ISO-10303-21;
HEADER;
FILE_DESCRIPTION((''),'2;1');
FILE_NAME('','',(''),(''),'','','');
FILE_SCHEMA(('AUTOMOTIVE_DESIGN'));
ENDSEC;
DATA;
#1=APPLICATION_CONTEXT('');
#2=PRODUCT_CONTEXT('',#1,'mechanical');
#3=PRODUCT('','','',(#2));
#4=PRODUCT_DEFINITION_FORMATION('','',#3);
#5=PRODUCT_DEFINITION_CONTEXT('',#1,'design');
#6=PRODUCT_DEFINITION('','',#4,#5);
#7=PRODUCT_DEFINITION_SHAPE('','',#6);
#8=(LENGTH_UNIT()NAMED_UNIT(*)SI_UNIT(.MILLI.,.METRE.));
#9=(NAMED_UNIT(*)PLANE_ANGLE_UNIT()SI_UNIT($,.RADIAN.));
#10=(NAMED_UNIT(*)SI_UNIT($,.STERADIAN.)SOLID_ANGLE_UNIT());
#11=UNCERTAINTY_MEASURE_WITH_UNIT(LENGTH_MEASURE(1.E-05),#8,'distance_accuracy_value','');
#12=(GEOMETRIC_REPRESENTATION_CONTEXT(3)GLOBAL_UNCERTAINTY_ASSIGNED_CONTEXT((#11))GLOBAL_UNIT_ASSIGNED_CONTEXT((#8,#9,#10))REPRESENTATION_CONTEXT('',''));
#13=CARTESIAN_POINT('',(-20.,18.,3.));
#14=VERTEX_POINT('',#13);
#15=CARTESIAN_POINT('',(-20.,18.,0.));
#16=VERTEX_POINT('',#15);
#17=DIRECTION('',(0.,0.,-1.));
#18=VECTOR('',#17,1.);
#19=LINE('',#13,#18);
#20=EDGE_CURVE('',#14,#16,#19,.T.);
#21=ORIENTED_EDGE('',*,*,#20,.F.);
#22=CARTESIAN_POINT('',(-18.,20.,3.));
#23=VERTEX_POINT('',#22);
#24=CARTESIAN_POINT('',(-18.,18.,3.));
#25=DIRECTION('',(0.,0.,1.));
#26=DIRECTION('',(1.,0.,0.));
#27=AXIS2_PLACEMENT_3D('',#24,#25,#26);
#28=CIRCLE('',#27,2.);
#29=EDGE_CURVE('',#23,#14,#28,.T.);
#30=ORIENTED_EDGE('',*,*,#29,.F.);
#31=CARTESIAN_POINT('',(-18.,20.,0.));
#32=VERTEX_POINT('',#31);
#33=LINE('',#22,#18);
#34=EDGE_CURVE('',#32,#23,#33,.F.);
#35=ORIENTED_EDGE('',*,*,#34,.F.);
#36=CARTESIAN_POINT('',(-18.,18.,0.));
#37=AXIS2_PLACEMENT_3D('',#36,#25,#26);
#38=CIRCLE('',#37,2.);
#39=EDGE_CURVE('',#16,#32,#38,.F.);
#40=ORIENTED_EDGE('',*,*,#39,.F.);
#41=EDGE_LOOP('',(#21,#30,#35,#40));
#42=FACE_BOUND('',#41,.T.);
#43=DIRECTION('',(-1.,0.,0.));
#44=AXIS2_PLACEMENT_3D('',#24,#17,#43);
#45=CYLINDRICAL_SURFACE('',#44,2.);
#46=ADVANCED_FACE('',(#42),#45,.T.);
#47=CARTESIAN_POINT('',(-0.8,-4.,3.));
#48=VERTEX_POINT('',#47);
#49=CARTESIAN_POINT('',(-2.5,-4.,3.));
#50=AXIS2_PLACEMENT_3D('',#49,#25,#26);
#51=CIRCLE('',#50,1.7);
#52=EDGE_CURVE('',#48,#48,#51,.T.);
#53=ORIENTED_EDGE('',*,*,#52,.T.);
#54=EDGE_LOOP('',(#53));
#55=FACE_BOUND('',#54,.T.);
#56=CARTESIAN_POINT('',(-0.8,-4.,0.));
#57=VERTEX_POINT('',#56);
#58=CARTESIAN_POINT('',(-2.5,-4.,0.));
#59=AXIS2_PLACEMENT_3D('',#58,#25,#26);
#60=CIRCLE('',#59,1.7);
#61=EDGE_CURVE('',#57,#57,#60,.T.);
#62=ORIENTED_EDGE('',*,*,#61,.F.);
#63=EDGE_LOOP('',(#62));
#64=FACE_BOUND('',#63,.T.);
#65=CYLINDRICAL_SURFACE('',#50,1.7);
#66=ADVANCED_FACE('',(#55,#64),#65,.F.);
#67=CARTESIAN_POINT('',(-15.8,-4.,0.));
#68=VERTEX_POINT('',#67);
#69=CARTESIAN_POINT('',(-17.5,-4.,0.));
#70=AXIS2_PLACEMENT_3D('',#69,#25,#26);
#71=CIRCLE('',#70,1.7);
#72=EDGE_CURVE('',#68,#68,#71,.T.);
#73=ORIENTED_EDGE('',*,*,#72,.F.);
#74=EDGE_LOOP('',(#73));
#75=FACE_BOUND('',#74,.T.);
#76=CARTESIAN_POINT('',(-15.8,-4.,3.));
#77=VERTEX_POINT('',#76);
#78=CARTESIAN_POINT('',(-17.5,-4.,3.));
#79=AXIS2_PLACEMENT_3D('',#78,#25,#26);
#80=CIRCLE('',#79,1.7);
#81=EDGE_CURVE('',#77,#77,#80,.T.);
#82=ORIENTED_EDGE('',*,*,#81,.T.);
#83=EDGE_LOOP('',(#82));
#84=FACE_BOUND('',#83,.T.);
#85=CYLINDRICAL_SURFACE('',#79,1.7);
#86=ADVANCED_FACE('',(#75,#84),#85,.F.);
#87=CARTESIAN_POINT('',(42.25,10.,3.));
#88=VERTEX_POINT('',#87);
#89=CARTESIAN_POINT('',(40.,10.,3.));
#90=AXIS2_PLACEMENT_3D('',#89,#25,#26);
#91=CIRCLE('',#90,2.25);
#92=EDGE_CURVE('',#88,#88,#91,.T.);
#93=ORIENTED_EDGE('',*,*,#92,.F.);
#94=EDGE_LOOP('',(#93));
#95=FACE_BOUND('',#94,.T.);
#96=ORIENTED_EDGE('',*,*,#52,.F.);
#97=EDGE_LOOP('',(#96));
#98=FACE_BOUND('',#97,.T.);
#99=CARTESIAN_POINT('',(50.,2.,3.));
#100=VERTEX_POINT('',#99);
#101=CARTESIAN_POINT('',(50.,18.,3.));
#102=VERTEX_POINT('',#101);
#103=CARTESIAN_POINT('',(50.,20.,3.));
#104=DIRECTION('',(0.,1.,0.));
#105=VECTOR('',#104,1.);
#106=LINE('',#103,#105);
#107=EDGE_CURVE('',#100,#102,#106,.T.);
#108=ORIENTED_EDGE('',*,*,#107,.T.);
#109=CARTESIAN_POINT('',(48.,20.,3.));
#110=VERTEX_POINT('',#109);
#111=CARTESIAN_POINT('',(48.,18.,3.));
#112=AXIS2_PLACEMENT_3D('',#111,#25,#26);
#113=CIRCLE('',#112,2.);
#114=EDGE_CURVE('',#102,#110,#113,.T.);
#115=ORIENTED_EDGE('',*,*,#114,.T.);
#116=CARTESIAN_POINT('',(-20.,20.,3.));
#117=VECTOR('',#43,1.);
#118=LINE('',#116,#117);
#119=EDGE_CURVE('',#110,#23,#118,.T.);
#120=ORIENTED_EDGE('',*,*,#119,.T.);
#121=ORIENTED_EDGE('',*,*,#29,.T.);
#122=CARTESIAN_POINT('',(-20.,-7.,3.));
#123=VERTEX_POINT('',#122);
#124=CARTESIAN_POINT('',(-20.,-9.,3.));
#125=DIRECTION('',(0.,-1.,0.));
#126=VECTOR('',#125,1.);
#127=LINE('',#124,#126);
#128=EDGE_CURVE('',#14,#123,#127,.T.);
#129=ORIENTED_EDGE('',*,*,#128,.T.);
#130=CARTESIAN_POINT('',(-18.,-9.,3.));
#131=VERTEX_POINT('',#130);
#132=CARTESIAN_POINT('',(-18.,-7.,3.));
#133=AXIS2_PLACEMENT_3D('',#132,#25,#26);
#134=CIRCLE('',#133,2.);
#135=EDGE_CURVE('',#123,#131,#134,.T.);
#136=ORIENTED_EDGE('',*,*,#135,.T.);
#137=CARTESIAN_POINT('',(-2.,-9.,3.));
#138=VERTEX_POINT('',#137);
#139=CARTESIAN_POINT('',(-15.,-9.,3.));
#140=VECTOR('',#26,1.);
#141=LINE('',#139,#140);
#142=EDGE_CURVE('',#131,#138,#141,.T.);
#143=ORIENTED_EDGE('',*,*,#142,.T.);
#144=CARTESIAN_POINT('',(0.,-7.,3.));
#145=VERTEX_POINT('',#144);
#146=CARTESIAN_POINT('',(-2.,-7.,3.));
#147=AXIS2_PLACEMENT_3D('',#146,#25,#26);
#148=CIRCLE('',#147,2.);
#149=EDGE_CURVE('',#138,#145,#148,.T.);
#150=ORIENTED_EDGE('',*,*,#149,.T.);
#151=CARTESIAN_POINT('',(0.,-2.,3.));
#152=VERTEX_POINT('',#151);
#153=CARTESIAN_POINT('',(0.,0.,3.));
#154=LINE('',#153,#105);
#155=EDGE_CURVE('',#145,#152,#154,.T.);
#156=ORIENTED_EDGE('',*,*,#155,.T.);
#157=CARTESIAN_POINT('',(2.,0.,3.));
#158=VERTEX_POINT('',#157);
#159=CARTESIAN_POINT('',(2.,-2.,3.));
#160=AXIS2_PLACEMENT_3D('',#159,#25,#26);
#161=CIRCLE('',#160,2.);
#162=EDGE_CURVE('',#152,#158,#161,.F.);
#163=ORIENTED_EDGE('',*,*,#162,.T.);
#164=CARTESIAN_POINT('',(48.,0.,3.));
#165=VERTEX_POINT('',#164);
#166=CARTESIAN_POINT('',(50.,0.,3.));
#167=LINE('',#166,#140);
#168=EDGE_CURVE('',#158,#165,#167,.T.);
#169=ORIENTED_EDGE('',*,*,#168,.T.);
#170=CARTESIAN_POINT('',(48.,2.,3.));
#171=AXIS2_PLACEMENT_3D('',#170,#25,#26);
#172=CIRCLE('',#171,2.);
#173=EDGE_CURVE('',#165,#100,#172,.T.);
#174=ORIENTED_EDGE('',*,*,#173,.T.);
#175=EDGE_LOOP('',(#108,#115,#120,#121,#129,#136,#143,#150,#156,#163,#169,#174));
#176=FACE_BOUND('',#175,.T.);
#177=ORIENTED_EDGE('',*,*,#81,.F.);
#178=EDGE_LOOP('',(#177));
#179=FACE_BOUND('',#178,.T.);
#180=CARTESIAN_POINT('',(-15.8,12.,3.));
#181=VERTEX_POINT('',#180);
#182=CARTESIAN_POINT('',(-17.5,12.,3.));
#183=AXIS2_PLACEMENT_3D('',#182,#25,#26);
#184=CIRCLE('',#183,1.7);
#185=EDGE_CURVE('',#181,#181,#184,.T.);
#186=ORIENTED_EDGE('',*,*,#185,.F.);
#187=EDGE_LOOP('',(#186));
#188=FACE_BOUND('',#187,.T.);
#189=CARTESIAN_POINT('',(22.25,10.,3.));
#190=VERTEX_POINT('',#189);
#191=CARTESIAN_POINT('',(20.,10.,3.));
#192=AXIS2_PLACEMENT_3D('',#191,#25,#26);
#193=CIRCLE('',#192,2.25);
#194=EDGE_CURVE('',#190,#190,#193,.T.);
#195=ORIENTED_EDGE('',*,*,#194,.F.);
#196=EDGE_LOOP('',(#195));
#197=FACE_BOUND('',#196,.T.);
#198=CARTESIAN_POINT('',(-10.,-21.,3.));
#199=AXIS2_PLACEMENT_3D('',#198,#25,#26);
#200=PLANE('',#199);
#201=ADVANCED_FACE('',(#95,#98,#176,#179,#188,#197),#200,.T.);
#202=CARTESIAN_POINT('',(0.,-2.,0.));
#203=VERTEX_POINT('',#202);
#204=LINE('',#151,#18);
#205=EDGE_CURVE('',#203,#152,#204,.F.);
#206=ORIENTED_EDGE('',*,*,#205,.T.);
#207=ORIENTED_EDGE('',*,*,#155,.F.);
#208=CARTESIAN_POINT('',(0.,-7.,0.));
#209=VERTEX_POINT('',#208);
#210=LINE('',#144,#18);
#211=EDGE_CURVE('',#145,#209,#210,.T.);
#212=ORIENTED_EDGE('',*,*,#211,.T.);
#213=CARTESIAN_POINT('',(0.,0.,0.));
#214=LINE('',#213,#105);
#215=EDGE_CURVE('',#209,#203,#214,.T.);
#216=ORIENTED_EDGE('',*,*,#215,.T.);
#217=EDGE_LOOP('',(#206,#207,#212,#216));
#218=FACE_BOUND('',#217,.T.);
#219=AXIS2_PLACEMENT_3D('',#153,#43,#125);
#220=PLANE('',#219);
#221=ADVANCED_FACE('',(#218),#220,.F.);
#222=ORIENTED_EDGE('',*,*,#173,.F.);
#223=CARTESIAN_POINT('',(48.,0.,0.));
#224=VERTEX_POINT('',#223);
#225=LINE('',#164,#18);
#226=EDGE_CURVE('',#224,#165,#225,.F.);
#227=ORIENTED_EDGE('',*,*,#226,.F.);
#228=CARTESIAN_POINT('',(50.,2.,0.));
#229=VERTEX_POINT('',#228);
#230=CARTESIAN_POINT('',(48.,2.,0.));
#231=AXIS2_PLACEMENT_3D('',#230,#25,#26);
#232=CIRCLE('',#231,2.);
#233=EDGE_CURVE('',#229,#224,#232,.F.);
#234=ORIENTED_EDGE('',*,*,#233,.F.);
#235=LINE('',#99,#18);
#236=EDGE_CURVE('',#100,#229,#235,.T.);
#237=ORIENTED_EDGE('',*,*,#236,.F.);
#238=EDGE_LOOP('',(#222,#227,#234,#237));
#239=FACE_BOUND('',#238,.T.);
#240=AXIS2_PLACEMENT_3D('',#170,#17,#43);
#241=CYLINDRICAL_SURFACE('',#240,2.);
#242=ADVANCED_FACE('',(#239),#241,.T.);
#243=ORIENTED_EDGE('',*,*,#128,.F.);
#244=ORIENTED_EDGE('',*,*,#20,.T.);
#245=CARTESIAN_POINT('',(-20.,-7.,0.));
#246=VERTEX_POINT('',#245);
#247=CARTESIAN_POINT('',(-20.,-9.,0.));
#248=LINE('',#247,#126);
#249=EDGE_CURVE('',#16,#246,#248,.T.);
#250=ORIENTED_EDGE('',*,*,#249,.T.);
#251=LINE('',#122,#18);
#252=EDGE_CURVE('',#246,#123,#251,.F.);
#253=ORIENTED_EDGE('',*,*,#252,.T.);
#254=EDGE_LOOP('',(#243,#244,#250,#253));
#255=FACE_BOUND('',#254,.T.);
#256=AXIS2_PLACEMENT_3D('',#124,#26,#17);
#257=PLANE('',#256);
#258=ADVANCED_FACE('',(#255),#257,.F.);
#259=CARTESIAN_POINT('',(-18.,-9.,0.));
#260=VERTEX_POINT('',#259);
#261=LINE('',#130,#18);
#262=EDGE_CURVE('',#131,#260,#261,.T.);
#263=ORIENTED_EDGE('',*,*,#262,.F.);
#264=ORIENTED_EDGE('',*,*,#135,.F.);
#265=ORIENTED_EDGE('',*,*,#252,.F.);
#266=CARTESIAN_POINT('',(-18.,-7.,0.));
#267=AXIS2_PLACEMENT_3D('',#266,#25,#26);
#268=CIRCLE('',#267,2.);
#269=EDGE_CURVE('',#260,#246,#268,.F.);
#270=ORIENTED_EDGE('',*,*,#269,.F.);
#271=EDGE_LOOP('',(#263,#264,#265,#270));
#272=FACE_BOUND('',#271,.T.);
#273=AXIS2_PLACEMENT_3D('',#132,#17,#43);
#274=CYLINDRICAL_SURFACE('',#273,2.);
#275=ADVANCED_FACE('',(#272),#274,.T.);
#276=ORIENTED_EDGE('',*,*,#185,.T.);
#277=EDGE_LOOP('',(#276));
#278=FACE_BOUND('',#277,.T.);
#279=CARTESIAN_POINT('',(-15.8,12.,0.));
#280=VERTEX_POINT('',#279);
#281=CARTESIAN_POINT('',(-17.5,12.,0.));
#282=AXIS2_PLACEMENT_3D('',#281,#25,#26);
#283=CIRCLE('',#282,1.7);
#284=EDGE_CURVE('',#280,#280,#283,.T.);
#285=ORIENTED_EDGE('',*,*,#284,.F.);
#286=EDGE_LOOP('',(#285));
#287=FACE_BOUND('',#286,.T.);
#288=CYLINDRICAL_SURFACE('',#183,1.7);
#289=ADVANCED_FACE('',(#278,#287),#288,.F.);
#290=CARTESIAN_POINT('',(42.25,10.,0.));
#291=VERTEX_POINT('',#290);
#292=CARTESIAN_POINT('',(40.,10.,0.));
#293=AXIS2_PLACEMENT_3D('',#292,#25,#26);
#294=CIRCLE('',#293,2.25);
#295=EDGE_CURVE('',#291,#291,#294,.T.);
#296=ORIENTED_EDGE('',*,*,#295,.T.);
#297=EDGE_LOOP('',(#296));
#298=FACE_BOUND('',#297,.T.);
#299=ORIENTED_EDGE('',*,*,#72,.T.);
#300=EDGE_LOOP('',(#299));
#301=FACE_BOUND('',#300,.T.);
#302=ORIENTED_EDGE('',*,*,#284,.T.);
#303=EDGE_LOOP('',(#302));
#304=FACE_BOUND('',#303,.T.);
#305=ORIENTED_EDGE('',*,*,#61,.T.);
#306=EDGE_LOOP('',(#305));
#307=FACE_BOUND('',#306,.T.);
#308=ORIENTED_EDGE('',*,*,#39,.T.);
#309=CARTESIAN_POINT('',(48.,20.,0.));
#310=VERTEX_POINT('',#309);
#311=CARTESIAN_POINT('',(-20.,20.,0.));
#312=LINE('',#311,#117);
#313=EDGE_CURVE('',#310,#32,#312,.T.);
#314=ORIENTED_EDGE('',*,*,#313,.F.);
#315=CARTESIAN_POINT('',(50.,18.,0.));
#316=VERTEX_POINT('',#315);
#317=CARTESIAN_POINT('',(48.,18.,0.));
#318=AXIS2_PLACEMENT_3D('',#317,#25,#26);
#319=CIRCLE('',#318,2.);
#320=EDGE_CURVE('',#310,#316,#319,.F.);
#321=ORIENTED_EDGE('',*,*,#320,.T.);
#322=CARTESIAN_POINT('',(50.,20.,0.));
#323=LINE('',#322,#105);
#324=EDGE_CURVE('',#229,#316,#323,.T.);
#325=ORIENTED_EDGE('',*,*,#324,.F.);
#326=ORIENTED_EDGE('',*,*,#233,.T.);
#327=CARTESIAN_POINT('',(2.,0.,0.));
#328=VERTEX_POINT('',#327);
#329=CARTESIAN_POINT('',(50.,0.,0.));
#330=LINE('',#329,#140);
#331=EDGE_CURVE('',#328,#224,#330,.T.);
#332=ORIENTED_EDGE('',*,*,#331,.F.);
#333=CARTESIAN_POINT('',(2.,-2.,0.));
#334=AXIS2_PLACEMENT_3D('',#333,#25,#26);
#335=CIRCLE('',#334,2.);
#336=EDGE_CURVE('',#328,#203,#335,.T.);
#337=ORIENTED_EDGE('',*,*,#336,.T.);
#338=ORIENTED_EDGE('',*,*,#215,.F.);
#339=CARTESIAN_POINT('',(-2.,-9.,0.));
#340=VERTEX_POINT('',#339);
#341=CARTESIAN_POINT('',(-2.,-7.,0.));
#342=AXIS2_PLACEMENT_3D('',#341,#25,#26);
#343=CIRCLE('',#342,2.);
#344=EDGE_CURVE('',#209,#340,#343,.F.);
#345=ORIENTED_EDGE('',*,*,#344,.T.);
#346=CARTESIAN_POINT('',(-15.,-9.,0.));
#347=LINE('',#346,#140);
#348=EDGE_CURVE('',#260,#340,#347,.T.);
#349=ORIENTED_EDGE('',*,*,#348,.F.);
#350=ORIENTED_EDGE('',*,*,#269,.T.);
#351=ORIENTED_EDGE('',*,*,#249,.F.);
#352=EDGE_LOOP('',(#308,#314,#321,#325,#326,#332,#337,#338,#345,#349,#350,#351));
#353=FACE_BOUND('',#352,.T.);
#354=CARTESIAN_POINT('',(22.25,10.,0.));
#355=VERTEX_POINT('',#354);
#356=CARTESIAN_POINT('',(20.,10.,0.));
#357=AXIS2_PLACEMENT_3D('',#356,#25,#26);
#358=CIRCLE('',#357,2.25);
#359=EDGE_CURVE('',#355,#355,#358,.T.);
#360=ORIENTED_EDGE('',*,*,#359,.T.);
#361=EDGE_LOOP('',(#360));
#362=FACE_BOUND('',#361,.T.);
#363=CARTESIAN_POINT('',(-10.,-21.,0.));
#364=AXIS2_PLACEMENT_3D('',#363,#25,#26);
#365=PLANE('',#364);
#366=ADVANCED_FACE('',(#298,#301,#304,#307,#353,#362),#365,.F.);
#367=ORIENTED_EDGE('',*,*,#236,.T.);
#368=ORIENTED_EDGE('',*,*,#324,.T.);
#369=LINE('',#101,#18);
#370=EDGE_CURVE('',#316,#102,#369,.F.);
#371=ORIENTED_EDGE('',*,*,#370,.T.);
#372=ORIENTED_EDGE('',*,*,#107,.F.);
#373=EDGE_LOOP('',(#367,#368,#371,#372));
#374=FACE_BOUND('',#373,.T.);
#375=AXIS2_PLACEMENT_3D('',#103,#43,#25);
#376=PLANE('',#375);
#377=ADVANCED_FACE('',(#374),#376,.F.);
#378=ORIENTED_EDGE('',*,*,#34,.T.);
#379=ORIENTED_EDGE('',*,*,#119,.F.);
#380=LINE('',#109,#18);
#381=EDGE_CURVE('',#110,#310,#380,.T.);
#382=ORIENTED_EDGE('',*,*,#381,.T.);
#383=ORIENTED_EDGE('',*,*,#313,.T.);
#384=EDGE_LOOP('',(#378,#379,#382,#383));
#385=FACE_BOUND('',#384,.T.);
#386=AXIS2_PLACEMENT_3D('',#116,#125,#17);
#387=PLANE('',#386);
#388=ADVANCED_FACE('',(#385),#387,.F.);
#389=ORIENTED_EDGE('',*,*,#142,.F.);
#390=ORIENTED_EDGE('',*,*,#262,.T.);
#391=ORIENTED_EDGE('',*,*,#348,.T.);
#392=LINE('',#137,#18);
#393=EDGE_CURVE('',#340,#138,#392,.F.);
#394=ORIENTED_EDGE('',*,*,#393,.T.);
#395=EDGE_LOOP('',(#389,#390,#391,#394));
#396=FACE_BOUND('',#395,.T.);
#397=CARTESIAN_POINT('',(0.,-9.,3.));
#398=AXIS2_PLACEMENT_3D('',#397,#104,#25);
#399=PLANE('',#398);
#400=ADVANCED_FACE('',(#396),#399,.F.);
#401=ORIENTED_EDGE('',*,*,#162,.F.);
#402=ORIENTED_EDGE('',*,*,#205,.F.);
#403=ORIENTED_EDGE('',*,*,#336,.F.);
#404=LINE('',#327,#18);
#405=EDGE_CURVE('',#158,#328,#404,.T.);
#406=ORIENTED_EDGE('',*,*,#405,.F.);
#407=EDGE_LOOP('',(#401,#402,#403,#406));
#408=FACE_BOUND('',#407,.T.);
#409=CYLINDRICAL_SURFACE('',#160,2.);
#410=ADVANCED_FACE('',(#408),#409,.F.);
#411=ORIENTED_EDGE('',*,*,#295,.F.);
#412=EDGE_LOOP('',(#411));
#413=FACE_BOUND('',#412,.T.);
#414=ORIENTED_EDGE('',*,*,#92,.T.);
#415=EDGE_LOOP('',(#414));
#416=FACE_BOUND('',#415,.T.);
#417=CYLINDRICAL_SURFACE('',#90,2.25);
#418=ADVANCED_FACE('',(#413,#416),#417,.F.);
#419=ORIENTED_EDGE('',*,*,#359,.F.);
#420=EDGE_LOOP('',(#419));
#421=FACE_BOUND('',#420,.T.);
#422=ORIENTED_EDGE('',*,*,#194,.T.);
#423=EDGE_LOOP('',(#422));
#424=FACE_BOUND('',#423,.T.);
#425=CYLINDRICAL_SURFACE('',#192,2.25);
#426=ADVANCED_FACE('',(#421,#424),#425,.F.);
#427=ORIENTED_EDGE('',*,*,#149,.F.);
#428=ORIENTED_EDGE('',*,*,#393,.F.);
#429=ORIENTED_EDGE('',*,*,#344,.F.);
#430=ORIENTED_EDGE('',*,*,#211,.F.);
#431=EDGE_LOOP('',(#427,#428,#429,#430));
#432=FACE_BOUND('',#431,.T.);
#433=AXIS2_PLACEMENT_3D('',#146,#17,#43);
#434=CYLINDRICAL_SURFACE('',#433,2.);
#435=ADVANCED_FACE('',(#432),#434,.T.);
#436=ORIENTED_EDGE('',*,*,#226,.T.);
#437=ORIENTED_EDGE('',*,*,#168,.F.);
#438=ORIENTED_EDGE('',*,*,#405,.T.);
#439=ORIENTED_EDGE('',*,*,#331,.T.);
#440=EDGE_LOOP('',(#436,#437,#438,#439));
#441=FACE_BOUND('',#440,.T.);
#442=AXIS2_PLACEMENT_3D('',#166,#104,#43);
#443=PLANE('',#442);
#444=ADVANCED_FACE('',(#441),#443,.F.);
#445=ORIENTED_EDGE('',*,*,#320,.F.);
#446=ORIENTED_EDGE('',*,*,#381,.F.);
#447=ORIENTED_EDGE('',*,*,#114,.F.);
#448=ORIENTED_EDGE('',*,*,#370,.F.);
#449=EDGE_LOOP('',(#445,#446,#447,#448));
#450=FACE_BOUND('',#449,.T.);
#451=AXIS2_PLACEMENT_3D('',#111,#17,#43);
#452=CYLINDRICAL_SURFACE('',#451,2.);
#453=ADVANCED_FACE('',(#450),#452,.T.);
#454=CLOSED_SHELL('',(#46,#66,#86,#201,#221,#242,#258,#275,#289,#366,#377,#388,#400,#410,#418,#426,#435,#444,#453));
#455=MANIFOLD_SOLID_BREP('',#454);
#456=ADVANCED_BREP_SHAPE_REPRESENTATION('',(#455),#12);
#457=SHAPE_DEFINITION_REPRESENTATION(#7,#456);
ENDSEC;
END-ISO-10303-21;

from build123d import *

# Parameters (mm, degrees)
AUFSATZ_LINEAR_AUSTRAGEN1_DEPTH = 3
SKIZZE2_R                       = 1.7
SCHNITT_LINEAR_AUSTRAGEN1_DEPTH = 57.435804238
DURCHGANGSLOCH_F_R_M41_D        = 4.5
DURCHGANGSLOCH_F_R_M31_D        = 3.4
VERRUNDUNG1_R                   = 2
SKIZZE9_W                       = 16
SKIZZE9_H                       = 17
SCHNITT_LINEAR_AUSTRAGEN2_DEPTH = 57.435804238


with BuildPart() as part:
    # Skizze1 → Aufsatz-Linear austragen1 (new body)
    with BuildSketch(Plane.XY):
        with BuildLine():
            Line((0, 0), (0, -9))
            Line((0, -9), (-5, -9))
            Line((-5, -9), (-5, -21))
            ThreePointArc((-5, -21), (-10, -26), (-15, -21))
            Line((-15, -21), (-15, -9))
            Line((-15, -9), (-20, -9))
            Line((-20, -9), (-20, 20))
            Line((-20, 20), (50, 20))
            Line((50, 20), (50, 0))
            Line((50, 0), (0, 0))
        make_face()
    extrude(amount=AUFSATZ_LINEAR_AUSTRAGEN1_DEPTH)

    # Skizze2 → Schnitt-Linear austragen1 (cut, through all)
    with BuildSketch(Plane.XY.offset(3)):
        with Locations((-10, -21)):
            Circle(SKIZZE2_R)
    extrude(amount=-SCHNITT_LINEAR_AUSTRAGEN1_DEPTH, mode=Mode.SUBTRACT)

    # Durchgangsloch für M41 (through all)
    with Locations(Plane.XY.offset(3)):
        with Locations((20, 10), (40, 10)):
            Hole(DURCHGANGSLOCH_F_R_M41_D / 2)

    # Durchgangsloch für M31 (through all)
    with Locations(Plane.XY.offset(3)):
        with Locations((-17.5, 12), (-2.5, -4), (-17.5, -4)):
            Hole(DURCHGANGSLOCH_F_R_M31_D / 2)

    # Verrundung1
    verrundung1_edges = [part.edges().sort_by_distance(p)[0] for p in [
        (0, 0, 1.5),
        (0, -9, 1.5),
        (-5, -9, 1.5),
        (-15, -9, 1.5),
        (-20, -9, 1.5),
        (-20, 20, 1.5),
        (50, 20, 1.5),
        (50, 0, 1.5),
    ]]
    fillet(verrundung1_edges, radius=VERRUNDUNG1_R)

    # Skizze9 → Schnitt-Linear austragen2 (cut, through all)
    with BuildSketch(Plane.XY.offset(3)):
        with Locations((-10, -17.5)):
            Rectangle(SKIZZE9_W, SKIZZE9_H)
    extrude(amount=-SCHNITT_LINEAR_AUSTRAGEN2_DEPTH, mode=Mode.SUBTRACT)


solid = part.part
